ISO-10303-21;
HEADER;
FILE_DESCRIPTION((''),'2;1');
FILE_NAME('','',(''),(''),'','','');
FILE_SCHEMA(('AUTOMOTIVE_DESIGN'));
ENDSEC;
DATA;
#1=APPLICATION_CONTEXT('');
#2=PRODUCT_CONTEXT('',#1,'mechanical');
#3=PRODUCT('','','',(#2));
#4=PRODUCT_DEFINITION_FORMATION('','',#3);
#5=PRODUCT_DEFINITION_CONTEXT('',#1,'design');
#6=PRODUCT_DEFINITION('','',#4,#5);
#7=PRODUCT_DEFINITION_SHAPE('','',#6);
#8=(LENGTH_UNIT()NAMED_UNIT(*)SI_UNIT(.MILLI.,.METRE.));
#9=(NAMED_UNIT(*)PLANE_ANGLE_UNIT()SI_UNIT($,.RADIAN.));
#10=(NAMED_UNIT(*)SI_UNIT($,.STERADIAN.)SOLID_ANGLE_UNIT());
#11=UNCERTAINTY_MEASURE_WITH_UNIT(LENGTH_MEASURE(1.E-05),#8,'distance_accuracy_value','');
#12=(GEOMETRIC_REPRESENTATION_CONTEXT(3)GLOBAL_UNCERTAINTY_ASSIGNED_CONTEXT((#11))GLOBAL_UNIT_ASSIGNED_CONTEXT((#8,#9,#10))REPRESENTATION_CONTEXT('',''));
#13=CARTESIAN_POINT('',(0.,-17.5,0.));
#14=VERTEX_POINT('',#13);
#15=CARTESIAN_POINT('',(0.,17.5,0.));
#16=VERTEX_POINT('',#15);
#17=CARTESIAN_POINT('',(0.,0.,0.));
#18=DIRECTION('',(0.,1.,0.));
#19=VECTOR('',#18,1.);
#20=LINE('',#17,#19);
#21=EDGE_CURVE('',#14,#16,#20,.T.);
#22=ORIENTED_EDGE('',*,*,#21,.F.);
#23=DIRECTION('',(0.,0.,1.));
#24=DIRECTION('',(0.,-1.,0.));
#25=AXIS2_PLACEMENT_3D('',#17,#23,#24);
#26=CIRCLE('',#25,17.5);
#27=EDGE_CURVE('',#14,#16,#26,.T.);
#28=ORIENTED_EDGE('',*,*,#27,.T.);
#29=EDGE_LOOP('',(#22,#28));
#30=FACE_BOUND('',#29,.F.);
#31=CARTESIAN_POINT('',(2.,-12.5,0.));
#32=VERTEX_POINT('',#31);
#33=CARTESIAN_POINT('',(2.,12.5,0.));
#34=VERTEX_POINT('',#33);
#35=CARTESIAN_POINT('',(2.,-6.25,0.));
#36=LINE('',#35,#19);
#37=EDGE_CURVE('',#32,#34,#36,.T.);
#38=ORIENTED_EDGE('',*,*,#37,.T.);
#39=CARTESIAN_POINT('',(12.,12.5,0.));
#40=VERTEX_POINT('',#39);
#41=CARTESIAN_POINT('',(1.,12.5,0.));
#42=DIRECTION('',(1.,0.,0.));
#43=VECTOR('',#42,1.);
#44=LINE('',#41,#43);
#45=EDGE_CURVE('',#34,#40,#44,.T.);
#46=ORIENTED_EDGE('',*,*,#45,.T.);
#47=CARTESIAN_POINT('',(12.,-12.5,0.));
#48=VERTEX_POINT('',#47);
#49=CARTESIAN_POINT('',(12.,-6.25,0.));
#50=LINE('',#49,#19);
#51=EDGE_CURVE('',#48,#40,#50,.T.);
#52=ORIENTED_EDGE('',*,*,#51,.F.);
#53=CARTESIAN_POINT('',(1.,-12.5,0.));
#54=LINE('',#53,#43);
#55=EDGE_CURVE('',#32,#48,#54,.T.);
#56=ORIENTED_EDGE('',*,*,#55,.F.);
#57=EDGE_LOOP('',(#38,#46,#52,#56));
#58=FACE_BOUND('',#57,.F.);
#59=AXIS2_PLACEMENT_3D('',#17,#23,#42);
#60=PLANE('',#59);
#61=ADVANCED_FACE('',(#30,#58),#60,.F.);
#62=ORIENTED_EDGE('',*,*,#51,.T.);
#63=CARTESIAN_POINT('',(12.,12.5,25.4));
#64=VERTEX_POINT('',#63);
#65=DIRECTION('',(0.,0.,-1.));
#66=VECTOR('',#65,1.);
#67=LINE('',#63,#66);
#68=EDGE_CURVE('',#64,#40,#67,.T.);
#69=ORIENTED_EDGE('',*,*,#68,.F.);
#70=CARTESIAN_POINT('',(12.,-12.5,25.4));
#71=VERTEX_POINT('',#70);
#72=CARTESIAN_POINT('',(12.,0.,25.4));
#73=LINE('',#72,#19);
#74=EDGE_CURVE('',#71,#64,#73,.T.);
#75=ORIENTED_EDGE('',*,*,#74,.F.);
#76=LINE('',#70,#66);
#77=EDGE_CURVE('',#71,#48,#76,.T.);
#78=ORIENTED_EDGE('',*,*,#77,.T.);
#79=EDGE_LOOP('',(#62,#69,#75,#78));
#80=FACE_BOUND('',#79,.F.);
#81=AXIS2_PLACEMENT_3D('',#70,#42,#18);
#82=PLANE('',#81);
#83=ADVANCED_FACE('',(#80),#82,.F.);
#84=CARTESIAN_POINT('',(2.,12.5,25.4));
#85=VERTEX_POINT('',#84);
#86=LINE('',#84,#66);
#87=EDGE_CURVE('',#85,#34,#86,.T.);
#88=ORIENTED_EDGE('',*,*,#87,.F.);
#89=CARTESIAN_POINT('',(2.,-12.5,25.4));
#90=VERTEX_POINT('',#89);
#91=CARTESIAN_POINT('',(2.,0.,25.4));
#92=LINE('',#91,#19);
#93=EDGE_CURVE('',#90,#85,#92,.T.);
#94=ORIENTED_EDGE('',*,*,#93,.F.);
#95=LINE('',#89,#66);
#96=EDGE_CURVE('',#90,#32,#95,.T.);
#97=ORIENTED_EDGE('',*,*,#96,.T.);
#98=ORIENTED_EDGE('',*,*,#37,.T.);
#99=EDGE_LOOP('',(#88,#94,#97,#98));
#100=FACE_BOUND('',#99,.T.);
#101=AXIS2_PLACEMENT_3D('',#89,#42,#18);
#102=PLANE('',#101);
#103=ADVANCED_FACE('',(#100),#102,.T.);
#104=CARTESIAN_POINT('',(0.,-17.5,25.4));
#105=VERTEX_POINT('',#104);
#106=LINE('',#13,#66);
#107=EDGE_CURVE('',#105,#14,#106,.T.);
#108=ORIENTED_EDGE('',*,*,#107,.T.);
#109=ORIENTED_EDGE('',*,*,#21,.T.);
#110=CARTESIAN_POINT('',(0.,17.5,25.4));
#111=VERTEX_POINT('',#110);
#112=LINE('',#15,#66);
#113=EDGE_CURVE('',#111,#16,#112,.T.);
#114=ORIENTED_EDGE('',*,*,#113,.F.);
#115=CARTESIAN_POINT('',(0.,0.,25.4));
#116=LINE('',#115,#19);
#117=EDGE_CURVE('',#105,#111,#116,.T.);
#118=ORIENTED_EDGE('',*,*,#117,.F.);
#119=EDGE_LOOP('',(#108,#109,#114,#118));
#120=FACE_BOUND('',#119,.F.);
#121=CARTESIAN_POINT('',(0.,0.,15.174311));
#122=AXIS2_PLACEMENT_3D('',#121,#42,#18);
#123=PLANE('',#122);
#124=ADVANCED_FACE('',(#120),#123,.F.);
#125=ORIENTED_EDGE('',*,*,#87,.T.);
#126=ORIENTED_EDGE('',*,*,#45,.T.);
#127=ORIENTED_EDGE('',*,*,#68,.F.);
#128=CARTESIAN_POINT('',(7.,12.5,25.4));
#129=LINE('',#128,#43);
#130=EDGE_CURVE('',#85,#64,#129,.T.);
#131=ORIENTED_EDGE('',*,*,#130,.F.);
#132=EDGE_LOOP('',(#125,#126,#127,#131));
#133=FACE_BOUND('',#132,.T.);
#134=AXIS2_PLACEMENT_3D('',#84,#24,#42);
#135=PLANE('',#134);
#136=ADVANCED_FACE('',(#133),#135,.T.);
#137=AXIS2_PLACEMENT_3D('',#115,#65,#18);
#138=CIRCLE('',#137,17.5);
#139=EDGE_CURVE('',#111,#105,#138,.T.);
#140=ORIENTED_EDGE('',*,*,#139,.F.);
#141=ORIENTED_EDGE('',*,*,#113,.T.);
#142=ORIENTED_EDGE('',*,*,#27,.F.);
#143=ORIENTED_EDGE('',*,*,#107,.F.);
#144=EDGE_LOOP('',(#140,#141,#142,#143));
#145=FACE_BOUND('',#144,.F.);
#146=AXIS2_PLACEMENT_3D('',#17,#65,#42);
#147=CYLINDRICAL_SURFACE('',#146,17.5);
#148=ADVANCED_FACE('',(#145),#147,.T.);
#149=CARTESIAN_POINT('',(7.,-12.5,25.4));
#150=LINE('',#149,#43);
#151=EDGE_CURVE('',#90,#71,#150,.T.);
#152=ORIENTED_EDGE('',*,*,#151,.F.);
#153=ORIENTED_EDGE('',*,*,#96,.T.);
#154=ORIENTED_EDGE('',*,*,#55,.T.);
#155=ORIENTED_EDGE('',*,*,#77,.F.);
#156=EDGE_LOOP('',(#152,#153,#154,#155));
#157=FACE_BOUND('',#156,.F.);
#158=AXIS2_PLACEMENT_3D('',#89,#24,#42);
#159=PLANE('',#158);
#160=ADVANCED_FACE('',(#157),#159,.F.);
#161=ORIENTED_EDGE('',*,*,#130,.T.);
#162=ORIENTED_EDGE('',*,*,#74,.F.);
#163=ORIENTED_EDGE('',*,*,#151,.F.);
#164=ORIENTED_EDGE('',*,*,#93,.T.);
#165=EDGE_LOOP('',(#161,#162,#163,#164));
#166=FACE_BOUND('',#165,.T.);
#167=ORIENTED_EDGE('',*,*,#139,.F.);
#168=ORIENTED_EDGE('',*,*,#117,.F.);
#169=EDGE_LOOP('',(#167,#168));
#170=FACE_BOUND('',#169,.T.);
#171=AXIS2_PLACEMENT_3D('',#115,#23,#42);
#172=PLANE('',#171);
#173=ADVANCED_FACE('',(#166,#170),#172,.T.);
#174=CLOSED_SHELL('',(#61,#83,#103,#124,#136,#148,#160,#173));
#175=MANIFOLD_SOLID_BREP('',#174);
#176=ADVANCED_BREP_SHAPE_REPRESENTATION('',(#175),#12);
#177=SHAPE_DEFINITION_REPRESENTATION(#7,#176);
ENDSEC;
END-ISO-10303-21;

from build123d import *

# Parameters (mm, degrees)
F0_R     = 17.5
F1_DEPTH = 25.4
F2_W     = 60.77839
F2_H     = 43.169699
F3_DEPTH = 25.4
F4_W     = 10
F4_H     = 25
F5_DEPTH = 40


with BuildPart() as f1:
    # F0 (on Top) → F1 (new body)
    with BuildSketch(Plane.XY):
        Circle(F0_R)
    extrude(amount=F1_DEPTH)

    # F2 (on Right) → F3 (cut)
    with BuildSketch(Plane.YZ):
        with Locations((0, 15.174311)):
            Rectangle(F2_W, F2_H)
    extrude(amount=-F3_DEPTH, mode=Mode.SUBTRACT)

    # F4 (on face) → F5 (cut)
    with BuildSketch(Plane.XY.offset(25.4)):
        with Locations((7, 0)):
            Rectangle(F4_W, F4_H)
    extrude(amount=-F5_DEPTH, mode=Mode.SUBTRACT)


solid = f1.part
